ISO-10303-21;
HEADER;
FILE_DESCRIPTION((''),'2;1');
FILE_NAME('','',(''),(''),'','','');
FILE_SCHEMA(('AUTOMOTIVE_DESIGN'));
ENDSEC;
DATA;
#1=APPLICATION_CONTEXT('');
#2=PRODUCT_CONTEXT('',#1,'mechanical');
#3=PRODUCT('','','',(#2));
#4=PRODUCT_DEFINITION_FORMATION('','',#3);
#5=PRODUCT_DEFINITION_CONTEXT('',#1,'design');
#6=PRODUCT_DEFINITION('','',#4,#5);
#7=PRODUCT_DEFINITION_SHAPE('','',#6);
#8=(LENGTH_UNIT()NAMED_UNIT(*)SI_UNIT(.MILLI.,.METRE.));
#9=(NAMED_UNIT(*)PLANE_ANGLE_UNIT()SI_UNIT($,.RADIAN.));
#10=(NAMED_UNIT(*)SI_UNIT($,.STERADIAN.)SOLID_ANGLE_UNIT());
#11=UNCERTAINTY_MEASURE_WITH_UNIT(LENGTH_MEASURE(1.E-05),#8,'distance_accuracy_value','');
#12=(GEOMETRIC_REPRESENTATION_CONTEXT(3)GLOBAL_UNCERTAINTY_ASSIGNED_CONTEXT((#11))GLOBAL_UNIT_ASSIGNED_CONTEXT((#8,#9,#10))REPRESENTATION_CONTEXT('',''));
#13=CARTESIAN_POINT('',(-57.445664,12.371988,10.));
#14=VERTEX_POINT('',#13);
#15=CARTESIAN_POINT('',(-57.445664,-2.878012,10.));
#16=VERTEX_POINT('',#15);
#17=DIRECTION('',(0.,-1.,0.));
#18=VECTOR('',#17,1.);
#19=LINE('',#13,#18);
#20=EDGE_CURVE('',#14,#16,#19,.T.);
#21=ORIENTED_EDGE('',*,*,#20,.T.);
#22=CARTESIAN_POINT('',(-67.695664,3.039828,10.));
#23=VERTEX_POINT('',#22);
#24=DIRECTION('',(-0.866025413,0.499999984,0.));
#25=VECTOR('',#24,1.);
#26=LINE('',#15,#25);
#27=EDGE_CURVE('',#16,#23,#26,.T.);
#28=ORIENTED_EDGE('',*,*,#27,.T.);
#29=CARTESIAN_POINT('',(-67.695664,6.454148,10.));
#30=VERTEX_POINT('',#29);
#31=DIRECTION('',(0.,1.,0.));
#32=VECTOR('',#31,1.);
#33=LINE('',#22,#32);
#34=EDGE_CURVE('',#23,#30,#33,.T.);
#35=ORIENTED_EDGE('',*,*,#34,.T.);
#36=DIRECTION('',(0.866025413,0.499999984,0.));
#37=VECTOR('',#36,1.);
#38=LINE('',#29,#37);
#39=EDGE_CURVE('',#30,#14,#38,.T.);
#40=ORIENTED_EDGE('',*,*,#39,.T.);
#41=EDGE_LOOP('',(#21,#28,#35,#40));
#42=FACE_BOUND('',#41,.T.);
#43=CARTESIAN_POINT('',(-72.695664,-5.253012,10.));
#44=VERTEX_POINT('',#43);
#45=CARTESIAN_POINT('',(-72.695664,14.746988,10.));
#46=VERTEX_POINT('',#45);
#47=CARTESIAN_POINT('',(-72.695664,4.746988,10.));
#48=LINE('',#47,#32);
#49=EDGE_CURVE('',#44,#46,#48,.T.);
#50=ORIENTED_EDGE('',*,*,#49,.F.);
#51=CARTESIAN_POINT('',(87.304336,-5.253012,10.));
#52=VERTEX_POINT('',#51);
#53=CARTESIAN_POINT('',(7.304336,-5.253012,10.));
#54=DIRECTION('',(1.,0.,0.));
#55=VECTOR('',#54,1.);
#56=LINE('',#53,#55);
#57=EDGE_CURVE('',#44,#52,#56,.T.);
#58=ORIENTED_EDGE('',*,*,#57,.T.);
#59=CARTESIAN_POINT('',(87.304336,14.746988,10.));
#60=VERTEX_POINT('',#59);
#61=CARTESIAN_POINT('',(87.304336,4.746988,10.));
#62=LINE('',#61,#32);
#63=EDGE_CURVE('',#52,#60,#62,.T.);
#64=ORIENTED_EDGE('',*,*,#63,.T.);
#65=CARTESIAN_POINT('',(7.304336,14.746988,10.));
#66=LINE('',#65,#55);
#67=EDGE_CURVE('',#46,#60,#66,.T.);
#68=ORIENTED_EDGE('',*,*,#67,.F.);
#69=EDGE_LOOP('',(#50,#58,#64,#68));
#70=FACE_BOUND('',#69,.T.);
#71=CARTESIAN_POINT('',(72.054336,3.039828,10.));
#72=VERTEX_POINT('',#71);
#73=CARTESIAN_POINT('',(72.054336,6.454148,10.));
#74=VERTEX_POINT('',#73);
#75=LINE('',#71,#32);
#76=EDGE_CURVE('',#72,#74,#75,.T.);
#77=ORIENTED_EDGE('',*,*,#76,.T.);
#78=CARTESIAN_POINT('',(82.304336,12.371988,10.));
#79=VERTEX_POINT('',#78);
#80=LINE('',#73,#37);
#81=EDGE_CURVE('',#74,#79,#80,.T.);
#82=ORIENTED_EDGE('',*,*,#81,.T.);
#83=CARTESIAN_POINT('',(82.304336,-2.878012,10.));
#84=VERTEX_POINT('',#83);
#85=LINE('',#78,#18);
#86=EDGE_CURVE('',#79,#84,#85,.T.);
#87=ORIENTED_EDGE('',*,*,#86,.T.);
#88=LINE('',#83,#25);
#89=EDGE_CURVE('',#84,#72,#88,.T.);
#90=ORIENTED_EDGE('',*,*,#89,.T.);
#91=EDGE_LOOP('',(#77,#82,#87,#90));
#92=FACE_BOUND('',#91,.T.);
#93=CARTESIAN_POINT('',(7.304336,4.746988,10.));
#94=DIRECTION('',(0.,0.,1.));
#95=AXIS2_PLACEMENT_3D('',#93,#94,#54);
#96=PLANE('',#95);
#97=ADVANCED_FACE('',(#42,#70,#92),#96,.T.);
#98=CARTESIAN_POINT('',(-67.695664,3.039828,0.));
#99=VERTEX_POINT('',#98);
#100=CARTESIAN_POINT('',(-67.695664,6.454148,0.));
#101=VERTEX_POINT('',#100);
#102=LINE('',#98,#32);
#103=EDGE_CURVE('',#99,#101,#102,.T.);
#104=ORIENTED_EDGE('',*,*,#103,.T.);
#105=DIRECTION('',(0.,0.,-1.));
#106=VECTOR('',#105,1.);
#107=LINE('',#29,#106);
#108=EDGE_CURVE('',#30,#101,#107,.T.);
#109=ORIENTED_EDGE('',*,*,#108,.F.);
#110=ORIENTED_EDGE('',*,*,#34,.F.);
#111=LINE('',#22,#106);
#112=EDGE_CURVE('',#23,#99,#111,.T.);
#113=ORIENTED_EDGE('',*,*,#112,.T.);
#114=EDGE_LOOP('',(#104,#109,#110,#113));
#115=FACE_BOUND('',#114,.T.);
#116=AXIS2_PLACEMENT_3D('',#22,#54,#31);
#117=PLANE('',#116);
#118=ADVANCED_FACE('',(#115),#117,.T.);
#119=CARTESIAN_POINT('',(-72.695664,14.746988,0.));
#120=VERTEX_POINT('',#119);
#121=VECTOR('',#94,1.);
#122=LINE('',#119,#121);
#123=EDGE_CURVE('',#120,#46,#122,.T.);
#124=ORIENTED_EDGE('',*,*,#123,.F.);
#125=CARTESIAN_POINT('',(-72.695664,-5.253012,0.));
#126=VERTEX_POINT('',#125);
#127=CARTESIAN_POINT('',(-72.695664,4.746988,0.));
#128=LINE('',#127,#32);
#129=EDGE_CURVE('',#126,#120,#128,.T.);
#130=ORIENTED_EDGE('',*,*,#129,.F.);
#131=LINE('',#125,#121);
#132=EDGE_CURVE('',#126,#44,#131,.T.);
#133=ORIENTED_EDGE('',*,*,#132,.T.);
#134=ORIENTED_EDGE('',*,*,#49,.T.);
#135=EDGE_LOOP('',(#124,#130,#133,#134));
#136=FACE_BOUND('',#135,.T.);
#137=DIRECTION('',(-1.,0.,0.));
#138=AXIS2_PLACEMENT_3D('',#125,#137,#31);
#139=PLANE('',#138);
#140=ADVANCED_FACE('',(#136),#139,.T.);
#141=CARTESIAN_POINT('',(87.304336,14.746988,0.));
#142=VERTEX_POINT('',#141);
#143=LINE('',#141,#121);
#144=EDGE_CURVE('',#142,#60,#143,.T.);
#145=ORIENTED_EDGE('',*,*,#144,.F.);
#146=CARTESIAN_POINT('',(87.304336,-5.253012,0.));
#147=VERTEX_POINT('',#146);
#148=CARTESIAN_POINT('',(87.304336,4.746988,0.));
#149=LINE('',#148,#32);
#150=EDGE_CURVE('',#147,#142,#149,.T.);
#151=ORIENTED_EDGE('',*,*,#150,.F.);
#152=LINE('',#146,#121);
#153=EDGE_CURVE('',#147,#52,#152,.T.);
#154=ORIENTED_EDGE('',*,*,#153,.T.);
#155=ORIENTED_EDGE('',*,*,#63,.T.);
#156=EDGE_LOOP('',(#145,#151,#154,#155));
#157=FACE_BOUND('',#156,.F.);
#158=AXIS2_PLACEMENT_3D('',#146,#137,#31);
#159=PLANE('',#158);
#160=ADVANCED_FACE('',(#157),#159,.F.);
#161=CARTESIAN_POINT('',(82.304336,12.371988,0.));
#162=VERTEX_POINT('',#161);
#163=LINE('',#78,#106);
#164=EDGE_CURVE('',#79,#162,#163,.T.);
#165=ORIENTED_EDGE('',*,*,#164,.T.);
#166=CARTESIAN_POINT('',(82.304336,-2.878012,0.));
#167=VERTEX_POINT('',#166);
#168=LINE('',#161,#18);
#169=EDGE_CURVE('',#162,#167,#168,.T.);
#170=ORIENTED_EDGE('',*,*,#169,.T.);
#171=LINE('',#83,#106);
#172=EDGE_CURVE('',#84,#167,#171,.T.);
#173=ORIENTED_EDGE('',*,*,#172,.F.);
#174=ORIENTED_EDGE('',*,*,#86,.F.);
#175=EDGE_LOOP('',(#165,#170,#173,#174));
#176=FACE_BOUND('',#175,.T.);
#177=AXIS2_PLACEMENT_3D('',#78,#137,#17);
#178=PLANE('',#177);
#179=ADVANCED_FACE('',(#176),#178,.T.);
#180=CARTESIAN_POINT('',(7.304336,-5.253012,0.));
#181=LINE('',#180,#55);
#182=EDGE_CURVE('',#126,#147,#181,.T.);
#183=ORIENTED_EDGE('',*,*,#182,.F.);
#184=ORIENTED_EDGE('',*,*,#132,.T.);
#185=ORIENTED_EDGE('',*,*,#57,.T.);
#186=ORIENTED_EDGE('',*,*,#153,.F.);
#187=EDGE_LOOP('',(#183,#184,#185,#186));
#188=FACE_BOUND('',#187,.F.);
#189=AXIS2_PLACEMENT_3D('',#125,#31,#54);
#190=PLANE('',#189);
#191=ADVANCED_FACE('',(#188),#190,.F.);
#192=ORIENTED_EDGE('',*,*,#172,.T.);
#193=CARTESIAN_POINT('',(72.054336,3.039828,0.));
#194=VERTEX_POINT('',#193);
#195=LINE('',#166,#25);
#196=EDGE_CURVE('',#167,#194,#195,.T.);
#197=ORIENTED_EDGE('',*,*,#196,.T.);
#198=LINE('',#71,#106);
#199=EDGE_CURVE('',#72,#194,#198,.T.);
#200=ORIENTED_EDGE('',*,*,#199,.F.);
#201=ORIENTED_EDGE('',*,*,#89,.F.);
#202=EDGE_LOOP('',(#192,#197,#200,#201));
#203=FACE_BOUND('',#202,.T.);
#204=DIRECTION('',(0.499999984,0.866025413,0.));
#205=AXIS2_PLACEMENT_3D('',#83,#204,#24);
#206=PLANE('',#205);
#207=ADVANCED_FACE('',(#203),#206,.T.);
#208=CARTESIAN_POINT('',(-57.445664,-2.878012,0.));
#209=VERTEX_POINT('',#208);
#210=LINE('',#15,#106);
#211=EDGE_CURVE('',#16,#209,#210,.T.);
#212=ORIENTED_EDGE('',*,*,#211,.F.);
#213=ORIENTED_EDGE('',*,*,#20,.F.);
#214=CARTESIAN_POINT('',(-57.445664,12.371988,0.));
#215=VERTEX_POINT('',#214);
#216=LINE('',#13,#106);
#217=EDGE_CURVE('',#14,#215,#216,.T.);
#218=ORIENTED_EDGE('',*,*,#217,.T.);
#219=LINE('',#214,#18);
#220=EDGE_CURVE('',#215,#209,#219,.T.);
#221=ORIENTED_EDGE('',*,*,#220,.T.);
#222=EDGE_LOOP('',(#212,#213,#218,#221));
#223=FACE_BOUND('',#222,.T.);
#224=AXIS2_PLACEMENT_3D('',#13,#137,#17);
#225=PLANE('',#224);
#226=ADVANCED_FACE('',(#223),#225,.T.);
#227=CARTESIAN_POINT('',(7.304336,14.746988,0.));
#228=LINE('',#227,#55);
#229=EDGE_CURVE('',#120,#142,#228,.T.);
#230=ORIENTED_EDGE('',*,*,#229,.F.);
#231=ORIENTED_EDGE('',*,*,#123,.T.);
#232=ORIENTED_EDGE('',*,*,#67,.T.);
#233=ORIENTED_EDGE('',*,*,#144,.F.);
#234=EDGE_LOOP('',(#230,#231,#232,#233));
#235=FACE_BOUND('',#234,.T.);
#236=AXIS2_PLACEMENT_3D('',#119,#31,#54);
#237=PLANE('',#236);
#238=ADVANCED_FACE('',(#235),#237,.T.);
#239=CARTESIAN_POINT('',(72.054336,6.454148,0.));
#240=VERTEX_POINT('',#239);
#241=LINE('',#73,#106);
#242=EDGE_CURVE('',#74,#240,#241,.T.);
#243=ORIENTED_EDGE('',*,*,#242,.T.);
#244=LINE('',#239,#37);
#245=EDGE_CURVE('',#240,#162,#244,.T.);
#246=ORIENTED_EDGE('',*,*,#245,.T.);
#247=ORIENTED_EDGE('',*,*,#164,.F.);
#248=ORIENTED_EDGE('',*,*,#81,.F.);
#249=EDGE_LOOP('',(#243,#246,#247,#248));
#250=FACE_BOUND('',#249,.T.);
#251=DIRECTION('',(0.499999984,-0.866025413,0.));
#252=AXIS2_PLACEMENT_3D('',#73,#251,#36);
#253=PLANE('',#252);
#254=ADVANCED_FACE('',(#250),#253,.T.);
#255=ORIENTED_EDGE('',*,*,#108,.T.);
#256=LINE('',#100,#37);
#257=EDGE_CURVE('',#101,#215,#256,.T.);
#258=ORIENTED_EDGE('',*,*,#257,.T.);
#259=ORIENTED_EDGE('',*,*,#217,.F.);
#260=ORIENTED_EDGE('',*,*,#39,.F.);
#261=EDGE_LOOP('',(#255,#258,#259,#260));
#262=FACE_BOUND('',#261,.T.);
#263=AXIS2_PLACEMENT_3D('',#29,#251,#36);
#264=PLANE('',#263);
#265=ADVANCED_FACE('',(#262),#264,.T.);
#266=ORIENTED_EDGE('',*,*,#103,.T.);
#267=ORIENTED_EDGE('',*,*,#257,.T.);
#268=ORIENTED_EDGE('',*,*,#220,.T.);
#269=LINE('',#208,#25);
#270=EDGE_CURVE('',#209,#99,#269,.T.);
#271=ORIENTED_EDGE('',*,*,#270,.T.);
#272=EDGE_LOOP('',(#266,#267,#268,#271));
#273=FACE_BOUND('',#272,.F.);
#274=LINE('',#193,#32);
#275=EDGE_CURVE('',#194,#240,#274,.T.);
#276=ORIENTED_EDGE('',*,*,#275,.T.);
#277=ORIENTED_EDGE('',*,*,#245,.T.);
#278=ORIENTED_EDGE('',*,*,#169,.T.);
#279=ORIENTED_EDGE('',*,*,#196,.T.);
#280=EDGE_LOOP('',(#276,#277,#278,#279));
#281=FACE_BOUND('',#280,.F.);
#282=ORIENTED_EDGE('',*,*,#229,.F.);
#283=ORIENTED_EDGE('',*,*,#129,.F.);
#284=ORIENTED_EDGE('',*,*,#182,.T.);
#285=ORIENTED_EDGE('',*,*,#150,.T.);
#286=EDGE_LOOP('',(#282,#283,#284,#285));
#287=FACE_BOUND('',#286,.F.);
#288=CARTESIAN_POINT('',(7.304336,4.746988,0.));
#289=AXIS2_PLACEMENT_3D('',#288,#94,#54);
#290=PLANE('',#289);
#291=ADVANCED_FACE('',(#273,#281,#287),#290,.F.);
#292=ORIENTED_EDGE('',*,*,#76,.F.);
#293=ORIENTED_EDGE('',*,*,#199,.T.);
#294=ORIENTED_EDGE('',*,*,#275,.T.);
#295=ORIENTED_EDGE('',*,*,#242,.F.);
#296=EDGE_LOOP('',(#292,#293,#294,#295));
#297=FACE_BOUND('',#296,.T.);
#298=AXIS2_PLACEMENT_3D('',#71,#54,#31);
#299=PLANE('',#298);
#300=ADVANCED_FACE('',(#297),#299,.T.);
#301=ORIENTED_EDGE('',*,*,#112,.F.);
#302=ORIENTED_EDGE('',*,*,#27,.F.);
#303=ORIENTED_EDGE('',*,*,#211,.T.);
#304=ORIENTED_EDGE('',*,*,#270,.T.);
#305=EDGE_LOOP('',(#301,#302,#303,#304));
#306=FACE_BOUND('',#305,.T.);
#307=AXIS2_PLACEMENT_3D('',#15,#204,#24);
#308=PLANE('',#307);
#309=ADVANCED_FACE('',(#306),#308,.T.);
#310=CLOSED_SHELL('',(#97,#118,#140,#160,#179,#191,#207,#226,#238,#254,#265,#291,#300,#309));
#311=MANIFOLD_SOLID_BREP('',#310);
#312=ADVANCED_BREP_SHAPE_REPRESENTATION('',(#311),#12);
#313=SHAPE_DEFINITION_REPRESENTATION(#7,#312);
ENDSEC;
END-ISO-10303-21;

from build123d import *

# Parameters (mm, degrees)
SKETCH_W     = 160
SKETCH_H     = 20
PAD_DEPTH    = 10
POCKET_DEPTH = 10


with BuildPart() as part:
    # Sketch → Pad (new body)
    with BuildSketch(Plane.XY):
        with Locations((7.304336, 4.746988)):
            Rectangle(SKETCH_W, SKETCH_H)
    extrude(amount=PAD_DEPTH)

    # Sketch001 (on Face6 of Pad) → Pocket (cut)
    with BuildSketch(Plane.XY.offset(10)):
        Polygon((-67.695664, 3.039828), (-67.695664, 6.454148), (-57.445664, 12.371988), (-57.445664, -2.878012), align=None)
        Polygon((72.054336, 3.039828), (72.054336, 6.454148), (82.304336, 12.371988), (82.304336, -2.878012), align=None)
    extrude(amount=-POCKET_DEPTH, mode=Mode.SUBTRACT)


solid = part.part
